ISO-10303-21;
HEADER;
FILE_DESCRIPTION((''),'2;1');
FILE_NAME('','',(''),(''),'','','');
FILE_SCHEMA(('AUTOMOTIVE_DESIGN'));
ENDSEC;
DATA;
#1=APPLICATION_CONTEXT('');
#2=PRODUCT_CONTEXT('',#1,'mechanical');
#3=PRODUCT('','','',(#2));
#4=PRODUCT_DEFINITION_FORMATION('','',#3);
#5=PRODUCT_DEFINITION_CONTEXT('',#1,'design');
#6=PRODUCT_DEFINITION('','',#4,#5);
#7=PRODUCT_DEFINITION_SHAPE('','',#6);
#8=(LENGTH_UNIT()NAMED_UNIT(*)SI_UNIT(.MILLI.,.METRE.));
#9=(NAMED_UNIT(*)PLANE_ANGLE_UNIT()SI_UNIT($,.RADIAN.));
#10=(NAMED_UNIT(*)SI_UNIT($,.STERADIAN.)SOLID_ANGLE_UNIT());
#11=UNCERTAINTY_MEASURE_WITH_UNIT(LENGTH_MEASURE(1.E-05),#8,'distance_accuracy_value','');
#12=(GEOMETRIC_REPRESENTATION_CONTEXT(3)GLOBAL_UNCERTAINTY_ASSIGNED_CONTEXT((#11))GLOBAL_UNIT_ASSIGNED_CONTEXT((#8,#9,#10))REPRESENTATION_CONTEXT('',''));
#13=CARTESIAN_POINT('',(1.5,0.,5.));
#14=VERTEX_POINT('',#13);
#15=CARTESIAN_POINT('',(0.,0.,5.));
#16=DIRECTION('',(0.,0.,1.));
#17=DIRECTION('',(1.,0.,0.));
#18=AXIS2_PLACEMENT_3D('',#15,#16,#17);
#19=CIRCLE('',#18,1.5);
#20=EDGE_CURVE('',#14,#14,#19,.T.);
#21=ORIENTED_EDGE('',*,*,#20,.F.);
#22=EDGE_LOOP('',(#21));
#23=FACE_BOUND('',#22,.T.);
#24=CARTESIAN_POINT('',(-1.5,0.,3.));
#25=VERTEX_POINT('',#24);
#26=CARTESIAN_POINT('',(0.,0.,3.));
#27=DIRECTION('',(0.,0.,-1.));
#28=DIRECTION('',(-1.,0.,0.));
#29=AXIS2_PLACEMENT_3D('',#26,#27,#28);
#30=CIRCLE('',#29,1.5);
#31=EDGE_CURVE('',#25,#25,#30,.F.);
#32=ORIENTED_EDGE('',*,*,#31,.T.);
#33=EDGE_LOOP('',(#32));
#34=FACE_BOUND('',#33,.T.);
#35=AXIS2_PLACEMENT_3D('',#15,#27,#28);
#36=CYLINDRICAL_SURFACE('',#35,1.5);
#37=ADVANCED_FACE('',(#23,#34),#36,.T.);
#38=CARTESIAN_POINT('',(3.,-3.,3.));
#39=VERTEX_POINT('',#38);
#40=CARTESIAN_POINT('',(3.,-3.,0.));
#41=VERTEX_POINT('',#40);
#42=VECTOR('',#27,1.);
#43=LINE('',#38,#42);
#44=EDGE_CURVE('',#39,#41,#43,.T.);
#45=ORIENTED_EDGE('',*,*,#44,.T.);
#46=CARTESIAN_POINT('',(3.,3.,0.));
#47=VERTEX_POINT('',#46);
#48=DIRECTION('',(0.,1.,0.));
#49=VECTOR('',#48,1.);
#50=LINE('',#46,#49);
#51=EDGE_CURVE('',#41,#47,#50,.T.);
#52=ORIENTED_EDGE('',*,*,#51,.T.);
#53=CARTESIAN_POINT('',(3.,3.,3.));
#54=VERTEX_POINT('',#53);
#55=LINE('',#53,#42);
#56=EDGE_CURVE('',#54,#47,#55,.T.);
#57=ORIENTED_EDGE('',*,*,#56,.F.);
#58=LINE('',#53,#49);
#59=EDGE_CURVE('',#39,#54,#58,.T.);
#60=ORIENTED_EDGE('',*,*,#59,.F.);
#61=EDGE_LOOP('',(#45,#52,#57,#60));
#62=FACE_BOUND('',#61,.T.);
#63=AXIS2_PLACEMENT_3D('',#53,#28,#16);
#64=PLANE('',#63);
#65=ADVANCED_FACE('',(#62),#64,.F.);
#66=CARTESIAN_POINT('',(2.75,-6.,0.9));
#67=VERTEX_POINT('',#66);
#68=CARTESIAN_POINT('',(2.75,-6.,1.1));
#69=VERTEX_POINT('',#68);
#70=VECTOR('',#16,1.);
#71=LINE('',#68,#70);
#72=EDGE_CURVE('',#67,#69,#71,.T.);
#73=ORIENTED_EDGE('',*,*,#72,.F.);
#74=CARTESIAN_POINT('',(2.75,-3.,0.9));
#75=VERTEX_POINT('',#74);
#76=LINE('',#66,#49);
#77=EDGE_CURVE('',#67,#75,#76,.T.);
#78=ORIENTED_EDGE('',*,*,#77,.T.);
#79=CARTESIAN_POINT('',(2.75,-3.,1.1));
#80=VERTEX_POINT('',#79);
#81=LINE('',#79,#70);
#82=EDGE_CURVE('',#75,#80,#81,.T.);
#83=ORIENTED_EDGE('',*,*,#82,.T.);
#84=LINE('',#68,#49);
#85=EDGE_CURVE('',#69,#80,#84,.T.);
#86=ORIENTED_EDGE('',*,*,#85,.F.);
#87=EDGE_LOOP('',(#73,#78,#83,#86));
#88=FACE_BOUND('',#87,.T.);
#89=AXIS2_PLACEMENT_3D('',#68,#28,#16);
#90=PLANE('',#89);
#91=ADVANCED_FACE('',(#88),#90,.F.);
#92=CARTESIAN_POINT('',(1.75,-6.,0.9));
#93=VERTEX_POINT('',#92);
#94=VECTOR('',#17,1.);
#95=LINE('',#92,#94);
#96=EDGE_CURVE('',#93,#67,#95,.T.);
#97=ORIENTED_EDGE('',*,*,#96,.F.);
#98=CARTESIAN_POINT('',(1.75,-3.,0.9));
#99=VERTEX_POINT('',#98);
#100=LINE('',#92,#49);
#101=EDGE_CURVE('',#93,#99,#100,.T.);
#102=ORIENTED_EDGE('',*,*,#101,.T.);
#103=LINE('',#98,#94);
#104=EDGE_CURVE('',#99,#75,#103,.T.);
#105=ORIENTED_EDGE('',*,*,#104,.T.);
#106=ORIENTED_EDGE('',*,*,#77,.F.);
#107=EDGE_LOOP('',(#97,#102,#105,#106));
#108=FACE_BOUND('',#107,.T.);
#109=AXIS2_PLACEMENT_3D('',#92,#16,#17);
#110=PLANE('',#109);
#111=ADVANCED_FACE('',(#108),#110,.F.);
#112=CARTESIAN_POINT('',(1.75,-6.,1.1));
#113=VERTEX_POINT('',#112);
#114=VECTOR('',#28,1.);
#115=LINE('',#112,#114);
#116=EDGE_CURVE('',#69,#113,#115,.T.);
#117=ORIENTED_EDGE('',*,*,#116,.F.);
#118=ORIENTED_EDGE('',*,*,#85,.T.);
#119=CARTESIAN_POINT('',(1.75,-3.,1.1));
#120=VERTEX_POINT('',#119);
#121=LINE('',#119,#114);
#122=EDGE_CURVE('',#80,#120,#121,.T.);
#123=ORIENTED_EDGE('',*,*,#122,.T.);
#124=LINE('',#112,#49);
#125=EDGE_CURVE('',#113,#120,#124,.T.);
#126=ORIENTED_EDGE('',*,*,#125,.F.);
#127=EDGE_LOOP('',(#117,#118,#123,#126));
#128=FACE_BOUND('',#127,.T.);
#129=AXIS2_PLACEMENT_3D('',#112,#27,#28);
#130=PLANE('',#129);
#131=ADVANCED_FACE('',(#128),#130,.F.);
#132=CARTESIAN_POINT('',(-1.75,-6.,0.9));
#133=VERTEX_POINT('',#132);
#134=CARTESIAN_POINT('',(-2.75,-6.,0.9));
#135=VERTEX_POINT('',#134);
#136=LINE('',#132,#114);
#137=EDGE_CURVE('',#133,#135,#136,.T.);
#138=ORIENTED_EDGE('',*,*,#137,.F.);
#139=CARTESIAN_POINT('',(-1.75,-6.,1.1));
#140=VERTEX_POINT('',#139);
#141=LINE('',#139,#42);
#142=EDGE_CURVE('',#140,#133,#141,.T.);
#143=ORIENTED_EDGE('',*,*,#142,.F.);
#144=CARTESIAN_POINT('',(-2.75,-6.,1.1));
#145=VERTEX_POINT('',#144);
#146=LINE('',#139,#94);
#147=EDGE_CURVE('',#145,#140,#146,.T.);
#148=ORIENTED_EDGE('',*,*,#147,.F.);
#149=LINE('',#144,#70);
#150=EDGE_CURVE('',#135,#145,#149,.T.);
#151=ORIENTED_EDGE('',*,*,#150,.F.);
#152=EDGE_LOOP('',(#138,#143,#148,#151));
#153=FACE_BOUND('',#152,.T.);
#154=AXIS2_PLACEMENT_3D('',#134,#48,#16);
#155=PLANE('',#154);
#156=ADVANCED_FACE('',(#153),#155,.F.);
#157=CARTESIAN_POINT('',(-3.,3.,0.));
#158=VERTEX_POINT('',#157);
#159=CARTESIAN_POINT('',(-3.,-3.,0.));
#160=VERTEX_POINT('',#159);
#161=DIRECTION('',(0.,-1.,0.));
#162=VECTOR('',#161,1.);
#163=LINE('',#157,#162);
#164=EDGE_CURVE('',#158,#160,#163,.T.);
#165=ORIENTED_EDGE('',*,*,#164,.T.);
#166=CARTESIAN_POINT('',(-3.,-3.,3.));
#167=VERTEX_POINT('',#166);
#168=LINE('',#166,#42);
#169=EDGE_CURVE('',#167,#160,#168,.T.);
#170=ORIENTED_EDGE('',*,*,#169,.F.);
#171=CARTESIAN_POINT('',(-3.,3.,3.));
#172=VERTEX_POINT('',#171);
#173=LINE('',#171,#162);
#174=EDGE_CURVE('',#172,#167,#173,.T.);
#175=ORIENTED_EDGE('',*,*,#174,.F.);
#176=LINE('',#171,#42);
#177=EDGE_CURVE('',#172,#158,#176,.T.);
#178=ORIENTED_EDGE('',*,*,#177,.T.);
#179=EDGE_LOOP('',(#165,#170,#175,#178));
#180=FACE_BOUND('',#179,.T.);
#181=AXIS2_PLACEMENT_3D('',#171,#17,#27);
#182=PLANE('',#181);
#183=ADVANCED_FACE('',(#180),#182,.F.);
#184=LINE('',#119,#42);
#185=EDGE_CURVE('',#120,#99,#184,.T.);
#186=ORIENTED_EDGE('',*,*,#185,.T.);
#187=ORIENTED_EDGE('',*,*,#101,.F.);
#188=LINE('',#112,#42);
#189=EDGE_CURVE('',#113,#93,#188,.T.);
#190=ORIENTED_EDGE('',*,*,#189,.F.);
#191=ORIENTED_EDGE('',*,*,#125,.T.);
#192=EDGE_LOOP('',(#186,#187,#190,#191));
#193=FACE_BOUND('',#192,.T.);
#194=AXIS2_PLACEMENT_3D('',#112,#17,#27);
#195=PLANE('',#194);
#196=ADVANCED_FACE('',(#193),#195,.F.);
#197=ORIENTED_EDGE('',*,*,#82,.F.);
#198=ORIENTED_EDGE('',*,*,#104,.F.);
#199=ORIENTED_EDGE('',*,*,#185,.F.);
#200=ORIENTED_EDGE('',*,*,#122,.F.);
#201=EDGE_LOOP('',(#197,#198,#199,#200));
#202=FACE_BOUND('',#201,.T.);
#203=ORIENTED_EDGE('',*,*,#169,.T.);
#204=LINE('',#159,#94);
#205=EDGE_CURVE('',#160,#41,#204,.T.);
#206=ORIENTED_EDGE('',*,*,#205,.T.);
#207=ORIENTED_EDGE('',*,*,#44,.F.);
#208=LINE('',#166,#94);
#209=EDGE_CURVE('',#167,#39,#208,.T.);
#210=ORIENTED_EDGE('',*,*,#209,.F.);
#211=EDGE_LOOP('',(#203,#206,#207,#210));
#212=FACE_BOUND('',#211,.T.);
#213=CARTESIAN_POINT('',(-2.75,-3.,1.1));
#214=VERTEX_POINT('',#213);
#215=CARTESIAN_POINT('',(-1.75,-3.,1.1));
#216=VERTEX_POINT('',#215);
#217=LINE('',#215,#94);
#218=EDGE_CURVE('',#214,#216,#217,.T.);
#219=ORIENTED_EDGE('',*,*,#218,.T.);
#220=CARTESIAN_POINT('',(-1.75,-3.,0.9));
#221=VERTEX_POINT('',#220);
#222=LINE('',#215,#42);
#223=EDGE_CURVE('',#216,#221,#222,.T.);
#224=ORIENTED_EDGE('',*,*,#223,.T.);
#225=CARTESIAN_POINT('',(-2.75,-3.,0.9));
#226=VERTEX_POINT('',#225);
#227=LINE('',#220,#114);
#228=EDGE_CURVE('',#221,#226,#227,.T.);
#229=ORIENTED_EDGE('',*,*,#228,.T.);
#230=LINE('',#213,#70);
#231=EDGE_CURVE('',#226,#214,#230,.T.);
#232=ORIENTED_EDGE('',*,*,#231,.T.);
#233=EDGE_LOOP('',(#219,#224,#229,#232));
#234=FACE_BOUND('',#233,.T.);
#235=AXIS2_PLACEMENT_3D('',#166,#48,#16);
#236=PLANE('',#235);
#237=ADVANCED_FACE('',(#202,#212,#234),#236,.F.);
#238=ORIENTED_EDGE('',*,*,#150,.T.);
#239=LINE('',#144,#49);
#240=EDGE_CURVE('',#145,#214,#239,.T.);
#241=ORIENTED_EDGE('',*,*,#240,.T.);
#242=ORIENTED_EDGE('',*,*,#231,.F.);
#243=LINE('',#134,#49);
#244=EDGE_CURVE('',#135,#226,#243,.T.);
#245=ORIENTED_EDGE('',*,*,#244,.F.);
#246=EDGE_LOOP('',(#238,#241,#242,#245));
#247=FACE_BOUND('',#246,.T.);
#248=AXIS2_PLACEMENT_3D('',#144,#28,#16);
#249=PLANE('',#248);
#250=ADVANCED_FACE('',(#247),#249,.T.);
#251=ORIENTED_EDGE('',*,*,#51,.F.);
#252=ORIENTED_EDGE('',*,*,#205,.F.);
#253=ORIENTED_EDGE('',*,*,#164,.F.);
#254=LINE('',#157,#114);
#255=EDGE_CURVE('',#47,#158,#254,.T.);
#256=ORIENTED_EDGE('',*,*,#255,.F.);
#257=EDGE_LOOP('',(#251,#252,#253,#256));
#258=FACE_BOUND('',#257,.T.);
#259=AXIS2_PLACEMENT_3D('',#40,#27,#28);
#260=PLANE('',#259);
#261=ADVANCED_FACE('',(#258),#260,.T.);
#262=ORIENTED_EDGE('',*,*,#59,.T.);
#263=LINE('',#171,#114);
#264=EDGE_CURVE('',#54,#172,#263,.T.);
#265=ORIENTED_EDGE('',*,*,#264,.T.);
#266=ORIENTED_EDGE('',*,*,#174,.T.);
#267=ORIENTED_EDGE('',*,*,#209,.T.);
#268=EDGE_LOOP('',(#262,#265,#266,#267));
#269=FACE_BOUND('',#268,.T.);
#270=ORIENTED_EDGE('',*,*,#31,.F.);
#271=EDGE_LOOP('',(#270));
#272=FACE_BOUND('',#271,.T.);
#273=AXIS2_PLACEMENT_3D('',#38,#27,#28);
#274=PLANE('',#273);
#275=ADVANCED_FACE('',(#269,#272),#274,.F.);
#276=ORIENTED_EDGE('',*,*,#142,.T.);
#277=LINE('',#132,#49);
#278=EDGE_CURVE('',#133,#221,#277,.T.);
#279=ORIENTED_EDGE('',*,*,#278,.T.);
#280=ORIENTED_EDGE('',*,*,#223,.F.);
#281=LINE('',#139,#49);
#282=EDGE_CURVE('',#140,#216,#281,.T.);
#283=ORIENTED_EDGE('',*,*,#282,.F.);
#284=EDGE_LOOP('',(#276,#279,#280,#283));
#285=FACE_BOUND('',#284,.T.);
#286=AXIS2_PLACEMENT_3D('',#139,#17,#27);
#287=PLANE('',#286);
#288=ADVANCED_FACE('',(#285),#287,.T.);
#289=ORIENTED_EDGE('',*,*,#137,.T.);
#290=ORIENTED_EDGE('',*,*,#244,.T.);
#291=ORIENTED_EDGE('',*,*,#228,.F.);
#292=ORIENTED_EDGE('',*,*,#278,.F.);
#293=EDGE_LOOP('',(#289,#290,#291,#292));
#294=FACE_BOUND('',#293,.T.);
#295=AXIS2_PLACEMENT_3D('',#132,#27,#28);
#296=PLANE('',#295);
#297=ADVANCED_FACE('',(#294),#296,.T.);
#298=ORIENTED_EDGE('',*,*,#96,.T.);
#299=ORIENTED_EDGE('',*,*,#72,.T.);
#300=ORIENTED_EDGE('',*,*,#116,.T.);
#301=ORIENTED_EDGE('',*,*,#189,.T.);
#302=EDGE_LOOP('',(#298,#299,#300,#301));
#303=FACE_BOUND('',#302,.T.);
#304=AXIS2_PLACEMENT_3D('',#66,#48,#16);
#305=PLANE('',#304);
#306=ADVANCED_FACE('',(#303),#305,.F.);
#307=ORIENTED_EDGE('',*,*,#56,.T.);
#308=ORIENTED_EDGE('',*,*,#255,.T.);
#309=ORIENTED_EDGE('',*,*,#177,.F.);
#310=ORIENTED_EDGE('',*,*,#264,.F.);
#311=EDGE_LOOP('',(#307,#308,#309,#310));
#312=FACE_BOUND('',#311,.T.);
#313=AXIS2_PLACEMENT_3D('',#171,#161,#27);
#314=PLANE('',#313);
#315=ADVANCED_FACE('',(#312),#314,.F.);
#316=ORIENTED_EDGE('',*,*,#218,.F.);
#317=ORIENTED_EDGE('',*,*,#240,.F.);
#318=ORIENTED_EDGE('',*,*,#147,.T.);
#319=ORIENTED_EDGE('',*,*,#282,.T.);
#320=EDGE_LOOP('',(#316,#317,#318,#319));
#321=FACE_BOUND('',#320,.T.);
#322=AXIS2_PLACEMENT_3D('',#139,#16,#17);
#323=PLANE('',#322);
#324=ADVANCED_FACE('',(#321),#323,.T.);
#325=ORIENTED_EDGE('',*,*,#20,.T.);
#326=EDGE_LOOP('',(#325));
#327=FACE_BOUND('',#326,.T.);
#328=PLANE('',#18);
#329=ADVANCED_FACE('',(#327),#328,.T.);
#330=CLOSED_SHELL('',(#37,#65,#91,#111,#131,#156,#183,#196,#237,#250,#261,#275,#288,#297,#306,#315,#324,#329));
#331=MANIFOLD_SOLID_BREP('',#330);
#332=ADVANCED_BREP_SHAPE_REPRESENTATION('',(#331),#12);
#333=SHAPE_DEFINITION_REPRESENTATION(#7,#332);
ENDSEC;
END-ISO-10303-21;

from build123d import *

# Parameters (mm, degrees)
SKETCH_1_W      = 6
SKETCH_1_H      = 6
EXTRUDE_1_DEPTH = 3
SKETCH_2_R      = 1.5
EXTRUDE_2_DEPTH = 2
SKETCH_4_W      = 1
SKETCH_4_H      = 0.2


with BuildPart() as part:
    # 草图1 → 凸台-拉伸1 (new body)
    with BuildSketch(Plane.XY):
        Rectangle(SKETCH_1_W, SKETCH_1_H)
    extrude(amount=EXTRUDE_1_DEPTH)

    # 草图2 → 凸台-拉伸2 (add)
    with BuildSketch(Plane.XY.offset(3)):
        with Locations(Location((0, 0, 0), (0, 0, 180))):
            Circle(SKETCH_2_R)
    extrude(amount=EXTRUDE_2_DEPTH)

    # 扫描3: sweep along a path in 草图6
    with BuildLine(Plane(origin=(2.25, 0, 0), x_dir=(0, 0, -1), z_dir=(1, 0, 0))) as sweep_3_path:
        Line((-1.1, -3), (-1.1, -6))
    # 草图4 → 扫描3 (sweep)
    with BuildSketch(Plane.XZ.offset(3)):
        with Locations((2.25, 1)):
            Rectangle(SKETCH_4_W, SKETCH_4_H)
    sweep_3 = sweep(path=sweep_3_path.line)

    # 镜向1: 扫描3 across plane
    add(sweep_3.mirror(Plane(origin=(0, 0, 0), x_dir=(0, 0, 1), z_dir=(1, 0, 0))))


solid = part.part
